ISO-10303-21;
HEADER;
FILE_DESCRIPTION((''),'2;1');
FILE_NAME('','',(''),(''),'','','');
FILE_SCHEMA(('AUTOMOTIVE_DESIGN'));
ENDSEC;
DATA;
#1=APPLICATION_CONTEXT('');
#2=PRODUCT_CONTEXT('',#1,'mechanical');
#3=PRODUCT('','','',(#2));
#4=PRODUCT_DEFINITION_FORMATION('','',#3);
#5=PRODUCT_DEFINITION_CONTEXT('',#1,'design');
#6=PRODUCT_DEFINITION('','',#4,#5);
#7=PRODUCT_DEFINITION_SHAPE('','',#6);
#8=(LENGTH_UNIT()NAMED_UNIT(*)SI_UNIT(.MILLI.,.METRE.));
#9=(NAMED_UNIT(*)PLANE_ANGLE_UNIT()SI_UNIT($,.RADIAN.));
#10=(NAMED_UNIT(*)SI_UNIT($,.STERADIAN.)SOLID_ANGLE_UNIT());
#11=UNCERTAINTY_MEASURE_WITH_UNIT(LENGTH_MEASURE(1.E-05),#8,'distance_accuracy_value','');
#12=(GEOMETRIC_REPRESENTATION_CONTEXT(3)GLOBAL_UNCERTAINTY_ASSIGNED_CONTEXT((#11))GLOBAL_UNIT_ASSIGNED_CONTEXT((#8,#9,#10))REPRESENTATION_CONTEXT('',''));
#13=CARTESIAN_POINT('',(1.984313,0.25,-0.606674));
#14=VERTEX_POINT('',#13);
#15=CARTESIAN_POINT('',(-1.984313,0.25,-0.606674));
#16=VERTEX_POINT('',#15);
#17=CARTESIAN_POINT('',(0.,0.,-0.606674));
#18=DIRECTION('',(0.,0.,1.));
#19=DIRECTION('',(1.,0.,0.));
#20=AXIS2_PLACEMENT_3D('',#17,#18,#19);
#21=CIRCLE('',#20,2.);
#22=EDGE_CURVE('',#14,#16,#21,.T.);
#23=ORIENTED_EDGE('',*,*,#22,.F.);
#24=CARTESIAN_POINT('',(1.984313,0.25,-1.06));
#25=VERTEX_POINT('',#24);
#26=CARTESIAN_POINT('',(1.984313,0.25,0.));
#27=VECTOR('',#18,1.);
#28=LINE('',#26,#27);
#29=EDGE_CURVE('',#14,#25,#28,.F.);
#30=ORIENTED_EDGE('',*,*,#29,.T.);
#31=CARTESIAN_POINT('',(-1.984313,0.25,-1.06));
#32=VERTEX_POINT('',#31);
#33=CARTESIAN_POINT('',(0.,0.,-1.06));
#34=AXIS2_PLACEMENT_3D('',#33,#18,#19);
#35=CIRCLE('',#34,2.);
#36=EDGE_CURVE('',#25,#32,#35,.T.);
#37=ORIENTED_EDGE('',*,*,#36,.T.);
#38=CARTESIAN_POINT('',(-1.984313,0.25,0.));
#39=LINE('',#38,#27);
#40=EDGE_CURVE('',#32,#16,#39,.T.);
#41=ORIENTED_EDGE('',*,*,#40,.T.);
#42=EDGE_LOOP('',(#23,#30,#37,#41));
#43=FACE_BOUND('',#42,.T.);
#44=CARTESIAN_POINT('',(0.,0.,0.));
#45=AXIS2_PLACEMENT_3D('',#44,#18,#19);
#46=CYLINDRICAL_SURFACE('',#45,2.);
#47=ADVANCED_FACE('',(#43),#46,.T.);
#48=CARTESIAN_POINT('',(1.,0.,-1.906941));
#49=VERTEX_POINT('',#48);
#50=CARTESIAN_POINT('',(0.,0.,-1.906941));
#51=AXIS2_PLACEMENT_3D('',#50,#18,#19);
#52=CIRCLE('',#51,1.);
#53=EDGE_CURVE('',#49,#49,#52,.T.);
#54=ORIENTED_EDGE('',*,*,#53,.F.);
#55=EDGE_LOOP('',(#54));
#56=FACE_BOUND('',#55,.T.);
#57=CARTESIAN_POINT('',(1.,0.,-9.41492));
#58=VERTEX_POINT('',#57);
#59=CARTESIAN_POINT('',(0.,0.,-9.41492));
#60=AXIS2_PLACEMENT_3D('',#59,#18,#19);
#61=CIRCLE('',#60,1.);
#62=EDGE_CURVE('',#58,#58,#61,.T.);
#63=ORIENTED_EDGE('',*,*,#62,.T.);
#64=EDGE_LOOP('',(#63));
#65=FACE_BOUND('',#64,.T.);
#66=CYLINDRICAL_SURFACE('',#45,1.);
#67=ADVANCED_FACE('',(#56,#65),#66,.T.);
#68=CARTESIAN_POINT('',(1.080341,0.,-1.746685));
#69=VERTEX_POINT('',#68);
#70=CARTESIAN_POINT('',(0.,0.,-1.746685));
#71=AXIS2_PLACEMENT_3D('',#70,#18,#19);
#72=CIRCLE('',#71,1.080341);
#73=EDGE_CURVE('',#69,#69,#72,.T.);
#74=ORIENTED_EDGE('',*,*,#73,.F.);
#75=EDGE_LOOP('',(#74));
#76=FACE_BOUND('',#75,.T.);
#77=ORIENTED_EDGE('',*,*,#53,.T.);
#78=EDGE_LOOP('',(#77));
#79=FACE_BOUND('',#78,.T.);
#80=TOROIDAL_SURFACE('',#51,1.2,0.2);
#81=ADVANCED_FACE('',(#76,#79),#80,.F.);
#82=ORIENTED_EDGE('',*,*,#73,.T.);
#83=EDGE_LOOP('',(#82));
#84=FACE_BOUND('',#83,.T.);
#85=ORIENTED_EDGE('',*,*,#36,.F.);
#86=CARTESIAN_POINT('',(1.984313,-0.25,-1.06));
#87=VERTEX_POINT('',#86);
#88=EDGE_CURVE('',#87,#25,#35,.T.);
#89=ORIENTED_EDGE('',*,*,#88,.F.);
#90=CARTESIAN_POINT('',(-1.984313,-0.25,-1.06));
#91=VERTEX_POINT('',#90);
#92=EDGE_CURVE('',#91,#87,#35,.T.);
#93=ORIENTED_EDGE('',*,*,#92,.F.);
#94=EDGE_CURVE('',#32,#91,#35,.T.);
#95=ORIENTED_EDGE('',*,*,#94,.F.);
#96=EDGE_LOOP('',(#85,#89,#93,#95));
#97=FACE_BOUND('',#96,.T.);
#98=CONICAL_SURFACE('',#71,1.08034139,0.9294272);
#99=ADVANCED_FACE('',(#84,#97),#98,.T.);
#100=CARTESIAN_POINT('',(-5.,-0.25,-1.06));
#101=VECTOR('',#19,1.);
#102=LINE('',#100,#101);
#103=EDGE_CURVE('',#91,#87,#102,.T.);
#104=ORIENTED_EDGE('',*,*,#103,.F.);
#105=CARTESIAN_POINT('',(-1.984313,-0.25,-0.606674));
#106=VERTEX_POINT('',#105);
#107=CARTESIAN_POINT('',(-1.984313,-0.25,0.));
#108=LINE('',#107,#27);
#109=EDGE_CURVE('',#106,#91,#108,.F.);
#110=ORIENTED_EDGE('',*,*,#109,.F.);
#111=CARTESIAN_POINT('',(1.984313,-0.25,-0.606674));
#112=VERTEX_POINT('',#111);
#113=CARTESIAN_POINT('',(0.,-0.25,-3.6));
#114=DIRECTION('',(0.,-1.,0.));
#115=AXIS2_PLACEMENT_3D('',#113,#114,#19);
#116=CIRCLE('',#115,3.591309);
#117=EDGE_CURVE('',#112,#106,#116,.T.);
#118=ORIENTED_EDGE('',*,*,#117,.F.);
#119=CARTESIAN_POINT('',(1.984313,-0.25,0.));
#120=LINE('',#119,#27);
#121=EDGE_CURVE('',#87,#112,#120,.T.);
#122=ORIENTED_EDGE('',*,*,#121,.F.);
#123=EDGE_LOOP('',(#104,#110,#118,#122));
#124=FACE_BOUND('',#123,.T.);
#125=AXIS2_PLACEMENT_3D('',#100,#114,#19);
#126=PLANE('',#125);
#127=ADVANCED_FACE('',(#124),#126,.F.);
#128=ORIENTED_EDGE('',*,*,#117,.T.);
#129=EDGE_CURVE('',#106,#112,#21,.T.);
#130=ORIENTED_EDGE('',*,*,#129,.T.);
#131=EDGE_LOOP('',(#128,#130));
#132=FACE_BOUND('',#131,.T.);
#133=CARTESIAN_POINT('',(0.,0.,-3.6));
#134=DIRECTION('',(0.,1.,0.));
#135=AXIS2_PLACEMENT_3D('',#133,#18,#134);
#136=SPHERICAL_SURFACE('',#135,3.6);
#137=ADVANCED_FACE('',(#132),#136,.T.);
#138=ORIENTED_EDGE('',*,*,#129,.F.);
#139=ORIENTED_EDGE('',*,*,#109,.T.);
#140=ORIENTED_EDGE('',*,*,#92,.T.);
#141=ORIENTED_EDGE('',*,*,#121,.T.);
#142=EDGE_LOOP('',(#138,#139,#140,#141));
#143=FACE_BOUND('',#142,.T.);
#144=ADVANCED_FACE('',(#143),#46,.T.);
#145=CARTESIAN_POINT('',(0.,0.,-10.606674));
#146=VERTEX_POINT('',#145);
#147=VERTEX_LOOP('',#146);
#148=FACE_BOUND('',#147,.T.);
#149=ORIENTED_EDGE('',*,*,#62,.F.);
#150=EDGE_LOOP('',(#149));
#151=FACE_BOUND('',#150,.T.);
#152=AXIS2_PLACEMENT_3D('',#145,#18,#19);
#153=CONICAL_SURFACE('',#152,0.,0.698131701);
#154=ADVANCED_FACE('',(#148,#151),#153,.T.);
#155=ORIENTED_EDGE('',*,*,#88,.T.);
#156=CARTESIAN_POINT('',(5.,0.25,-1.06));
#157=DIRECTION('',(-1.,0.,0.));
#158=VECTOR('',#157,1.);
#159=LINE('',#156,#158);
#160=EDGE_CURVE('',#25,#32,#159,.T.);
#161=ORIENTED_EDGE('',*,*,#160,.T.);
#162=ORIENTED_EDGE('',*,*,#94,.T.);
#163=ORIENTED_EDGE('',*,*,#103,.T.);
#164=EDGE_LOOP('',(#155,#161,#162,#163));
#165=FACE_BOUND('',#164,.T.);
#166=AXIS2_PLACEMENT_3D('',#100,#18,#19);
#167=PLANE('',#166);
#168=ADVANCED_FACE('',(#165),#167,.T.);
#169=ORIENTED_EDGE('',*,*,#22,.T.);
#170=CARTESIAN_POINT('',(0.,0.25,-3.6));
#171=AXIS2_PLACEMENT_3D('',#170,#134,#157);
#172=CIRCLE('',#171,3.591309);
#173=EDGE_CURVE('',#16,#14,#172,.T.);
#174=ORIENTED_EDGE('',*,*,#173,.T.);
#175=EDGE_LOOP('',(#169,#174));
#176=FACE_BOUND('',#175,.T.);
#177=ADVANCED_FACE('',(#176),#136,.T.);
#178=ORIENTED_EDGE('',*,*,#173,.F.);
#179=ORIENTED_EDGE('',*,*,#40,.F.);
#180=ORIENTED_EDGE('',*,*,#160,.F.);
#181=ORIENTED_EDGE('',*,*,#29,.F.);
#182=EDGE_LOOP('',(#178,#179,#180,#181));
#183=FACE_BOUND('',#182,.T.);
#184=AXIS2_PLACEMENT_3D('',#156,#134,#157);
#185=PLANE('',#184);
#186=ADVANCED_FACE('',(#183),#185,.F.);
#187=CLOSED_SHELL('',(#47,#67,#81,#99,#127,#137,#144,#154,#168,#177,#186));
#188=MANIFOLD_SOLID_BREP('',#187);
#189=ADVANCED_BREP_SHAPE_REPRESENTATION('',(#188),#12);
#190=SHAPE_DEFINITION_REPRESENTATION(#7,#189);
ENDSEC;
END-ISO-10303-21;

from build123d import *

# Parameters (mm, degrees)
SKETCH_2_W          = 10
SKETCH_2_H          = 0.5
CUT_EXTRUDE_1_DEPTH = 1.06


with BuildPart() as part:
    # 草图1 → 旋转1 (revolve)
    with BuildSketch(Plane(origin=(0, 0, 0), x_dir=(0, 0, -1), z_dir=(1, 0, 0)), mode=Mode.PRIVATE) as revolve_1_sk:
        with BuildLine():
            Line((0, 0), (10.606674091, 0))
            Line((10.606674091, 0), (9.414920498, 1))
            Line((9.414920498, 1), (1.906940731, 1))
            ThreePointArc((1.906940731, 1), (1.817307372, 1.021210009), (1.746685257, 1.08034139))
            Line((1.746685257, 1.08034139), (1.06, 2))
            Line((1.06, 2), (0.606674091, 2))
            ThreePointArc((0.606674091, 2), (0.155005568, 1.044994432), (0, 0))
        make_face()
    revolve(revolve_1_sk.sketch.rotate(Axis((0, 0, 0), (0, 0, -1)), 90), axis=Axis((0, 0, 0), (0, 0, -1)))

    # 草图2 → 切除-拉伸1 (cut)
    with BuildSketch(Plane.XY):
        Rectangle(SKETCH_2_W, SKETCH_2_H)
    extrude(amount=-CUT_EXTRUDE_1_DEPTH, mode=Mode.SUBTRACT)


solid = part.part
